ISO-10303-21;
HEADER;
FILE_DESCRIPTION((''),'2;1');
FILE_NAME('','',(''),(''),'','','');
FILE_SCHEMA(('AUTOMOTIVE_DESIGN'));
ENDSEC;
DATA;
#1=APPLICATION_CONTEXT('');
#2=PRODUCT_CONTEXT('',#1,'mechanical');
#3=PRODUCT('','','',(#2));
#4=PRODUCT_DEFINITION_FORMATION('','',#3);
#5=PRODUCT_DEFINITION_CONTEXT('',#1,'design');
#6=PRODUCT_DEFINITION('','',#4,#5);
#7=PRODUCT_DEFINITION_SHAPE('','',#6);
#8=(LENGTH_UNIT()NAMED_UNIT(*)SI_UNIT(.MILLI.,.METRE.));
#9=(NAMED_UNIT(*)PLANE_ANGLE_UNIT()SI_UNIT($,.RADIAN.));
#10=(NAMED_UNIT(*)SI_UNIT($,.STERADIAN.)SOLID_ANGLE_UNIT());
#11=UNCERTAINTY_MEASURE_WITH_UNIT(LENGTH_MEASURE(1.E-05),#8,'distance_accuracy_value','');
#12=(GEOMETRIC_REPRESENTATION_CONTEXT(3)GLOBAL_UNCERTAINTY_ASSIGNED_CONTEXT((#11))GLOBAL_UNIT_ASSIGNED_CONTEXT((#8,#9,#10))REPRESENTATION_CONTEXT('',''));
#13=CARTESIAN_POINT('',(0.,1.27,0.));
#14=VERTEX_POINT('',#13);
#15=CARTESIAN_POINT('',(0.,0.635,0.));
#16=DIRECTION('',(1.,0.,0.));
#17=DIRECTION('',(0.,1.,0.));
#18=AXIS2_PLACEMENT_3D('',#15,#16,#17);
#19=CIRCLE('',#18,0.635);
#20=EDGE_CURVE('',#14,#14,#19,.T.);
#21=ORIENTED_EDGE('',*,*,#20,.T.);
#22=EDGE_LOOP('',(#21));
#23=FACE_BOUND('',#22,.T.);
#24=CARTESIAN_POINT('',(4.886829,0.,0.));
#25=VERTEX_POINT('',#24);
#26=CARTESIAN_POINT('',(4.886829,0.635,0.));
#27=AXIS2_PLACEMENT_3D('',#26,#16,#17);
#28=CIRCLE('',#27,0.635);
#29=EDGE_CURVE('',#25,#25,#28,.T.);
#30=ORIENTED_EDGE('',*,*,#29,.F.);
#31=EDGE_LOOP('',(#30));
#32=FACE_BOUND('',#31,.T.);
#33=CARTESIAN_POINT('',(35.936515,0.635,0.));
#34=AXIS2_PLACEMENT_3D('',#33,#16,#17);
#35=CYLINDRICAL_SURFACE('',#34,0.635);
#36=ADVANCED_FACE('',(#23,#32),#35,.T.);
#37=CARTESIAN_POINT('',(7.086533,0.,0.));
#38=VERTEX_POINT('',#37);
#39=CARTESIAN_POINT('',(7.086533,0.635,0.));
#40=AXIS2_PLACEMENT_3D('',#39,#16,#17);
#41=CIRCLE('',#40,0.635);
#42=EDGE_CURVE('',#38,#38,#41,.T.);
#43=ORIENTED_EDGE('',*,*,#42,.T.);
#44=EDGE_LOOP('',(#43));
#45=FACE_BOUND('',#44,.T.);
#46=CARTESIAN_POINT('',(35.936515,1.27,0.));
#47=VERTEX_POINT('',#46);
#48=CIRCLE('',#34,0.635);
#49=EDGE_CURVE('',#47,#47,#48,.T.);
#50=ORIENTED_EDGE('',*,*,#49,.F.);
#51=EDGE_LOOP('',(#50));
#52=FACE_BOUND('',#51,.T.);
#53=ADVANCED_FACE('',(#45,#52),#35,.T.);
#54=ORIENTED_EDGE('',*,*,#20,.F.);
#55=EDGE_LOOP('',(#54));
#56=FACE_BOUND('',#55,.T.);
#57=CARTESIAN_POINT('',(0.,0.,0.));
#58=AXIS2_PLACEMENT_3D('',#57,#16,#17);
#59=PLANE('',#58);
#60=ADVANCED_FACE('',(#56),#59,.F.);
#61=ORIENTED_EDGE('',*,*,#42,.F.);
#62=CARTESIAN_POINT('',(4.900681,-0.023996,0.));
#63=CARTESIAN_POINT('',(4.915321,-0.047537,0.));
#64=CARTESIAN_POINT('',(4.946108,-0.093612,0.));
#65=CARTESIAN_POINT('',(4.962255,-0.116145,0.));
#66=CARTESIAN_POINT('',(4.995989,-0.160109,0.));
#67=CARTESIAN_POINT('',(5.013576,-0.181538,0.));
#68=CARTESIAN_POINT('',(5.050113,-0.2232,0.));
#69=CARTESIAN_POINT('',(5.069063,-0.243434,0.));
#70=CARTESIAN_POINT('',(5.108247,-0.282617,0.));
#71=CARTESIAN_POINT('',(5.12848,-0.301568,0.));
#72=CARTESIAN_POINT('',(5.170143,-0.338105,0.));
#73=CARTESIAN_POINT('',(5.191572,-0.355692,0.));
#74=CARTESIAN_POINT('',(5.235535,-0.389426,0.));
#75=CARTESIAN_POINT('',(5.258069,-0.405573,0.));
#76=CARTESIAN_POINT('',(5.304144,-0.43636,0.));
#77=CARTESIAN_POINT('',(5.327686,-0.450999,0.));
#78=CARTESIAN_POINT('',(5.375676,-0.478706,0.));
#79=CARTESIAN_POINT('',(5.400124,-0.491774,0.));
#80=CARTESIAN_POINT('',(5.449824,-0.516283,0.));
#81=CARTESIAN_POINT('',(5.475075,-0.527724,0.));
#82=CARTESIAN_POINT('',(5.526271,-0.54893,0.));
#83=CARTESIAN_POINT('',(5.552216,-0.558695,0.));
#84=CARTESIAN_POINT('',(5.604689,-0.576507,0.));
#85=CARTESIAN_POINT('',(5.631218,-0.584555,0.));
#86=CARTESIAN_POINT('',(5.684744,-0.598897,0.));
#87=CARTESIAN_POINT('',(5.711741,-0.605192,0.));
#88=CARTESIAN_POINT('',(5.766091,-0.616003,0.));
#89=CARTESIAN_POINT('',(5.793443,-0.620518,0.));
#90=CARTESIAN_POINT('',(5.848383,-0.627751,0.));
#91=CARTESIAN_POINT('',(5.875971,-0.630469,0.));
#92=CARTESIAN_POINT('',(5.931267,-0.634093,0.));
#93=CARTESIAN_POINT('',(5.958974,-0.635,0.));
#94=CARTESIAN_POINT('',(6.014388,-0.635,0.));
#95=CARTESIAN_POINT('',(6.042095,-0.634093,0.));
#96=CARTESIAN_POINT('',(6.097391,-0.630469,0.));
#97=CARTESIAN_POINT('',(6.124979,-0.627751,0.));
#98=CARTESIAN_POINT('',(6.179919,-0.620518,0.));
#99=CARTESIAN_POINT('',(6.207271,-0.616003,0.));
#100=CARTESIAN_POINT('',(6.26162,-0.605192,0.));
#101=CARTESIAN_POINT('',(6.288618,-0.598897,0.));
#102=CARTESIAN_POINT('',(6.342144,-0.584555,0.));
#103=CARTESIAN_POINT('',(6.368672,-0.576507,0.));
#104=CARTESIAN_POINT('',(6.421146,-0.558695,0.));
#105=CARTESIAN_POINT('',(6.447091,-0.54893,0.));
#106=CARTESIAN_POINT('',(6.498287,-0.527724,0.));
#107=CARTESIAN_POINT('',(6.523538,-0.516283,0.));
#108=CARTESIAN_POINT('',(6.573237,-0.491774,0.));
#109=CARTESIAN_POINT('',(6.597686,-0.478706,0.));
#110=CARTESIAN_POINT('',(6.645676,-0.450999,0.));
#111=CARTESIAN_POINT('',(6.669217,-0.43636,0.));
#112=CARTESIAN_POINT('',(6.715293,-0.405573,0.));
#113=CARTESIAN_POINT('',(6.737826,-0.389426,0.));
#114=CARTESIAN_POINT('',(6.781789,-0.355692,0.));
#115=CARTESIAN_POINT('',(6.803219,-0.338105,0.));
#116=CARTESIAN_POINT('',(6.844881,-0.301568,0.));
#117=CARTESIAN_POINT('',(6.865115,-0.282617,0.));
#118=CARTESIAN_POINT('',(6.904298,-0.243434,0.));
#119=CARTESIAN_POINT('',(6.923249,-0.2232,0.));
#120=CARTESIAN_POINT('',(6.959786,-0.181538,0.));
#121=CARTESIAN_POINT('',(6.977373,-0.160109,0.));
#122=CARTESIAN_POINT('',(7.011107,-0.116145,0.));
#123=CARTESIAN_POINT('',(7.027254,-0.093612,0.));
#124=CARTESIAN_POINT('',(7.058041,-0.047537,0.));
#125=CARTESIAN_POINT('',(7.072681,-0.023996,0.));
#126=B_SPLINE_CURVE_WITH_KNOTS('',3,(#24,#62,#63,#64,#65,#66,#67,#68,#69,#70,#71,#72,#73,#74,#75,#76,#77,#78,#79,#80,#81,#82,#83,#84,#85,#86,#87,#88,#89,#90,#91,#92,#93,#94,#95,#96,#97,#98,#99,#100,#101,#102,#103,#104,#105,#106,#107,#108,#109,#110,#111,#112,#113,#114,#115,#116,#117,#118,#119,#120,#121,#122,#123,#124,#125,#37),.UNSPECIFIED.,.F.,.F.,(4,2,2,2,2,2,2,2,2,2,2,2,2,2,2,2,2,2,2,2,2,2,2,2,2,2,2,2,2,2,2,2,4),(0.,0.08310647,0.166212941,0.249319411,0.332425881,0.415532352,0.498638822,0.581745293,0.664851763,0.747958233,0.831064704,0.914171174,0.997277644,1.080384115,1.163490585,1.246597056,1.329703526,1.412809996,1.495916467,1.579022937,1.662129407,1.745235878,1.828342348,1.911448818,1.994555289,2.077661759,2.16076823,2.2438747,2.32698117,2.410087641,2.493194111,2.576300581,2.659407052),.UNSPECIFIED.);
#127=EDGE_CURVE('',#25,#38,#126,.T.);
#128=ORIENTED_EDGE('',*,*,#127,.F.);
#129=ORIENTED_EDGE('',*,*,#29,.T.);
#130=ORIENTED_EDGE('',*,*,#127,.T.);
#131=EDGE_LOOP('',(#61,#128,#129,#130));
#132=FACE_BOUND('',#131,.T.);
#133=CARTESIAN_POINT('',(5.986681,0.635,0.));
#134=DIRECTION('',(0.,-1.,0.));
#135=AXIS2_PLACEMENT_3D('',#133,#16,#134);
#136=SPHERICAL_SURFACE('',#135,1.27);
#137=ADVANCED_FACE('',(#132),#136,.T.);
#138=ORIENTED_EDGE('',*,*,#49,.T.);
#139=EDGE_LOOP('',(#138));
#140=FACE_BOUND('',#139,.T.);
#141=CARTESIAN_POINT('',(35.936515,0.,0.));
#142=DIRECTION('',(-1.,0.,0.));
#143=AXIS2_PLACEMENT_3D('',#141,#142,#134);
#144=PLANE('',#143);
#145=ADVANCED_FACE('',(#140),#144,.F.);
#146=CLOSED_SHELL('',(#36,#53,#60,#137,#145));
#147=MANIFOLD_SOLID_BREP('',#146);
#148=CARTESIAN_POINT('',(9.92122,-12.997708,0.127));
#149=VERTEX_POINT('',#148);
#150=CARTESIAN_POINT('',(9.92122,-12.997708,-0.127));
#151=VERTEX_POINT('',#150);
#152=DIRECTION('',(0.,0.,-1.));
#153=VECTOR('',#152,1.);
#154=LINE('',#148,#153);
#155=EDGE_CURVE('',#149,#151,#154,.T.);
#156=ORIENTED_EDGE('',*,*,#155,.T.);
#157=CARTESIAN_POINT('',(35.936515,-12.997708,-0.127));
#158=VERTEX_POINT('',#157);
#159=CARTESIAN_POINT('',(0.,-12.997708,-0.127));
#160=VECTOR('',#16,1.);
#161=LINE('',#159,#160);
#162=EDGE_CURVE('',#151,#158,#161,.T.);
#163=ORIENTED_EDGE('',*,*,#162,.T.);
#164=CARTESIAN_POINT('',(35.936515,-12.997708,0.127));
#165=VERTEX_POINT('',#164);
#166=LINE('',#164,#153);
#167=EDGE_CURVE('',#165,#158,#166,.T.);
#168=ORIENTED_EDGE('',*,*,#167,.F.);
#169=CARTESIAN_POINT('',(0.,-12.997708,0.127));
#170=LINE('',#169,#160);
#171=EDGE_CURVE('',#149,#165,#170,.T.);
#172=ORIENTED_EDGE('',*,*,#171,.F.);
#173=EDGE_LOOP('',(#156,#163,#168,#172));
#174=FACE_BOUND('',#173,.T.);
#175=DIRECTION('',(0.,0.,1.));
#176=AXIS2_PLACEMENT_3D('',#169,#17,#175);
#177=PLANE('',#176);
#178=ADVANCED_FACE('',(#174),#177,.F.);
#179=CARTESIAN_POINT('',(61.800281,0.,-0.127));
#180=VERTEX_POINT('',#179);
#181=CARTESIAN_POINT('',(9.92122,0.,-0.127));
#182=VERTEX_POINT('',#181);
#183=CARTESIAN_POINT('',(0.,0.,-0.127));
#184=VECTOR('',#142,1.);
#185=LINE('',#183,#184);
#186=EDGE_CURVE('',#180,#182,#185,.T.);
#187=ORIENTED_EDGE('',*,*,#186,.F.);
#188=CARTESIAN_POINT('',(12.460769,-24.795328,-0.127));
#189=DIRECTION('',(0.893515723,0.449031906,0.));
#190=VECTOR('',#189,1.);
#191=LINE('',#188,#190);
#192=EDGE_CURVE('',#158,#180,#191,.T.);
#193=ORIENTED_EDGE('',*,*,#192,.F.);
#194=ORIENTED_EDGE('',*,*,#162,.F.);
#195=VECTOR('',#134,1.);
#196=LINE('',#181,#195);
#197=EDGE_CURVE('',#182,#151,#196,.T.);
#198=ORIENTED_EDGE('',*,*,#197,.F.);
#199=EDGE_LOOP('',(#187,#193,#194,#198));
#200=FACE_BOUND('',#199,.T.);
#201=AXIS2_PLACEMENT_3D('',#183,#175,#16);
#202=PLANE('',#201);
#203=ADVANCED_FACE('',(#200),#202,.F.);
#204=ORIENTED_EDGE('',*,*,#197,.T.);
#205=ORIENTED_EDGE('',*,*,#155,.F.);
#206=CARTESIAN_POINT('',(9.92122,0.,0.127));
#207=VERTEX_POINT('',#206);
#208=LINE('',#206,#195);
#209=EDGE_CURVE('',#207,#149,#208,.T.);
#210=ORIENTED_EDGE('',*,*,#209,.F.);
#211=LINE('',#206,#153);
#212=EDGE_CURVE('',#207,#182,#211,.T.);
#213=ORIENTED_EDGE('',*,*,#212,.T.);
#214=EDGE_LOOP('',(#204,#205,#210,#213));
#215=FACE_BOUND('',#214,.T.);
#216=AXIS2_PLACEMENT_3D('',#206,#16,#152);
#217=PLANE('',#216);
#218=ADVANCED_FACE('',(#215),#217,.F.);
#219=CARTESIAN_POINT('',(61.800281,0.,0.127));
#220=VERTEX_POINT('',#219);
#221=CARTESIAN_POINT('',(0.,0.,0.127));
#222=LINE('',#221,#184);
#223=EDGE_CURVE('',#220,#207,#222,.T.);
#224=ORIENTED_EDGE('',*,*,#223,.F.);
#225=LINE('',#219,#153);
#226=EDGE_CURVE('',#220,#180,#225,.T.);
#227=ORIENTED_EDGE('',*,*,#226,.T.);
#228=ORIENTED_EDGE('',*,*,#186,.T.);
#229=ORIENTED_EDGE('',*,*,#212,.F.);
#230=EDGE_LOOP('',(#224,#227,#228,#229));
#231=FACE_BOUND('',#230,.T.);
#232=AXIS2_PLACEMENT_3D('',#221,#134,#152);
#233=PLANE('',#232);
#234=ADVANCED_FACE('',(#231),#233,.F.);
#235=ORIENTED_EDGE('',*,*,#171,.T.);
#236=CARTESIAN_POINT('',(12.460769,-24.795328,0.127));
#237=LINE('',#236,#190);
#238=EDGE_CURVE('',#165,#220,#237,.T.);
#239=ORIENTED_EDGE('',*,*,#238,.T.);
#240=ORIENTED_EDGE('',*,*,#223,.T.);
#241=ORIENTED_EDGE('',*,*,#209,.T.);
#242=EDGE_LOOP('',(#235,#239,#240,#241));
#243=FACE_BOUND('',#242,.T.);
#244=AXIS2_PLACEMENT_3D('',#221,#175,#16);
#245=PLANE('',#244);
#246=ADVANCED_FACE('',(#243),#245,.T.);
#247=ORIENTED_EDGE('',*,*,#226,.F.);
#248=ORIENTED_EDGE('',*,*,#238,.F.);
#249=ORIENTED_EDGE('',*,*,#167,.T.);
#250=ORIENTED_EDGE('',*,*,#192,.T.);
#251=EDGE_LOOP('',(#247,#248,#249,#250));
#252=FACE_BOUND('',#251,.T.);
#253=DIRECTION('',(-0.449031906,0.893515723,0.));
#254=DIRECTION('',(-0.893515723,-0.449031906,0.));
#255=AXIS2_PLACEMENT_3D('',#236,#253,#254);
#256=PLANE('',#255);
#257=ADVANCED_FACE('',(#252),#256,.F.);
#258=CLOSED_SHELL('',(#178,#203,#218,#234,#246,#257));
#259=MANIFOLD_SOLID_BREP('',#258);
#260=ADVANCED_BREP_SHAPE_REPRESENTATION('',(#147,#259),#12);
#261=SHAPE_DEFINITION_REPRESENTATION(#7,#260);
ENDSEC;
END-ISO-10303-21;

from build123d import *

# Parameters (mm, degrees)
SKETCH2_W           = 26.015295186
SKETCH2_H           = 12.997707743
BOSS_EXTRUDE1_DEPTH = 0.127


with BuildPart() as part:
    # Sketch1 → Revolve1 (revolve)
    with BuildSketch(Plane.XY, mode=Mode.PRIVATE) as revolve1_sk:
        with BuildLine():
            Line((7.086533119, 0), (4.886828594, 0))
            ThreePointArc((4.886828594, 0), (5.986680857, -0.635), (7.086533119, 0))
        make_face()
        with BuildLine():
            ThreePointArc((4.716680857, 0.635), (4.759955057, 0.306299813), (4.886828594, 0))
            Line((4.886828594, 0), (7.086533119, 0))
            ThreePointArc((7.086533119, 0), (7.213406656, 0.306299813), (7.256680857, 0.635))
            Line((7.256680857, 0.635), (4.716680857, 0.635))
        make_face()
        with BuildLine():
            Line((0, 0.635), (0, 0))
            Line((0, 0), (4.886828594, 0))
            ThreePointArc((4.886828594, 0), (4.759955057, 0.306299813), (4.716680857, 0.635))
            Line((4.716680857, 0.635), (0, 0.635))
        make_face()
        with BuildLine():
            ThreePointArc((7.256680857, 0.635), (7.213406656, 0.306299813), (7.086533119, 0))
            Line((7.086533119, 0), (35.936514965, 0))
            Line((35.936514965, 0), (35.936514965, 0.635))
            Line((35.936514965, 0.635), (7.256680857, 0.635))
        make_face()
    revolve(revolve1_sk.sketch.rotate(Axis((35.936514965, 0.635, 0), (-1, 0, 0)), 180), axis=Axis((35.936514965, 0.635, 0), (-1, 0, 0)))


with BuildPart() as body_2:
    # Sketch2 → Boss-Extrude1 (new, symmetric)
    with BuildSketch(Plane.XY):
        Polygon((35.936514965, -12.997707743), (61.800281192, 0), (35.936514965, 0), align=None)
        with Locations((22.928867372, -6.498853872)):
            Rectangle(SKETCH2_W, SKETCH2_H)
    extrude(amount=BOSS_EXTRUDE1_DEPTH, both=True)


solid = Compound([part.part, body_2.part])
